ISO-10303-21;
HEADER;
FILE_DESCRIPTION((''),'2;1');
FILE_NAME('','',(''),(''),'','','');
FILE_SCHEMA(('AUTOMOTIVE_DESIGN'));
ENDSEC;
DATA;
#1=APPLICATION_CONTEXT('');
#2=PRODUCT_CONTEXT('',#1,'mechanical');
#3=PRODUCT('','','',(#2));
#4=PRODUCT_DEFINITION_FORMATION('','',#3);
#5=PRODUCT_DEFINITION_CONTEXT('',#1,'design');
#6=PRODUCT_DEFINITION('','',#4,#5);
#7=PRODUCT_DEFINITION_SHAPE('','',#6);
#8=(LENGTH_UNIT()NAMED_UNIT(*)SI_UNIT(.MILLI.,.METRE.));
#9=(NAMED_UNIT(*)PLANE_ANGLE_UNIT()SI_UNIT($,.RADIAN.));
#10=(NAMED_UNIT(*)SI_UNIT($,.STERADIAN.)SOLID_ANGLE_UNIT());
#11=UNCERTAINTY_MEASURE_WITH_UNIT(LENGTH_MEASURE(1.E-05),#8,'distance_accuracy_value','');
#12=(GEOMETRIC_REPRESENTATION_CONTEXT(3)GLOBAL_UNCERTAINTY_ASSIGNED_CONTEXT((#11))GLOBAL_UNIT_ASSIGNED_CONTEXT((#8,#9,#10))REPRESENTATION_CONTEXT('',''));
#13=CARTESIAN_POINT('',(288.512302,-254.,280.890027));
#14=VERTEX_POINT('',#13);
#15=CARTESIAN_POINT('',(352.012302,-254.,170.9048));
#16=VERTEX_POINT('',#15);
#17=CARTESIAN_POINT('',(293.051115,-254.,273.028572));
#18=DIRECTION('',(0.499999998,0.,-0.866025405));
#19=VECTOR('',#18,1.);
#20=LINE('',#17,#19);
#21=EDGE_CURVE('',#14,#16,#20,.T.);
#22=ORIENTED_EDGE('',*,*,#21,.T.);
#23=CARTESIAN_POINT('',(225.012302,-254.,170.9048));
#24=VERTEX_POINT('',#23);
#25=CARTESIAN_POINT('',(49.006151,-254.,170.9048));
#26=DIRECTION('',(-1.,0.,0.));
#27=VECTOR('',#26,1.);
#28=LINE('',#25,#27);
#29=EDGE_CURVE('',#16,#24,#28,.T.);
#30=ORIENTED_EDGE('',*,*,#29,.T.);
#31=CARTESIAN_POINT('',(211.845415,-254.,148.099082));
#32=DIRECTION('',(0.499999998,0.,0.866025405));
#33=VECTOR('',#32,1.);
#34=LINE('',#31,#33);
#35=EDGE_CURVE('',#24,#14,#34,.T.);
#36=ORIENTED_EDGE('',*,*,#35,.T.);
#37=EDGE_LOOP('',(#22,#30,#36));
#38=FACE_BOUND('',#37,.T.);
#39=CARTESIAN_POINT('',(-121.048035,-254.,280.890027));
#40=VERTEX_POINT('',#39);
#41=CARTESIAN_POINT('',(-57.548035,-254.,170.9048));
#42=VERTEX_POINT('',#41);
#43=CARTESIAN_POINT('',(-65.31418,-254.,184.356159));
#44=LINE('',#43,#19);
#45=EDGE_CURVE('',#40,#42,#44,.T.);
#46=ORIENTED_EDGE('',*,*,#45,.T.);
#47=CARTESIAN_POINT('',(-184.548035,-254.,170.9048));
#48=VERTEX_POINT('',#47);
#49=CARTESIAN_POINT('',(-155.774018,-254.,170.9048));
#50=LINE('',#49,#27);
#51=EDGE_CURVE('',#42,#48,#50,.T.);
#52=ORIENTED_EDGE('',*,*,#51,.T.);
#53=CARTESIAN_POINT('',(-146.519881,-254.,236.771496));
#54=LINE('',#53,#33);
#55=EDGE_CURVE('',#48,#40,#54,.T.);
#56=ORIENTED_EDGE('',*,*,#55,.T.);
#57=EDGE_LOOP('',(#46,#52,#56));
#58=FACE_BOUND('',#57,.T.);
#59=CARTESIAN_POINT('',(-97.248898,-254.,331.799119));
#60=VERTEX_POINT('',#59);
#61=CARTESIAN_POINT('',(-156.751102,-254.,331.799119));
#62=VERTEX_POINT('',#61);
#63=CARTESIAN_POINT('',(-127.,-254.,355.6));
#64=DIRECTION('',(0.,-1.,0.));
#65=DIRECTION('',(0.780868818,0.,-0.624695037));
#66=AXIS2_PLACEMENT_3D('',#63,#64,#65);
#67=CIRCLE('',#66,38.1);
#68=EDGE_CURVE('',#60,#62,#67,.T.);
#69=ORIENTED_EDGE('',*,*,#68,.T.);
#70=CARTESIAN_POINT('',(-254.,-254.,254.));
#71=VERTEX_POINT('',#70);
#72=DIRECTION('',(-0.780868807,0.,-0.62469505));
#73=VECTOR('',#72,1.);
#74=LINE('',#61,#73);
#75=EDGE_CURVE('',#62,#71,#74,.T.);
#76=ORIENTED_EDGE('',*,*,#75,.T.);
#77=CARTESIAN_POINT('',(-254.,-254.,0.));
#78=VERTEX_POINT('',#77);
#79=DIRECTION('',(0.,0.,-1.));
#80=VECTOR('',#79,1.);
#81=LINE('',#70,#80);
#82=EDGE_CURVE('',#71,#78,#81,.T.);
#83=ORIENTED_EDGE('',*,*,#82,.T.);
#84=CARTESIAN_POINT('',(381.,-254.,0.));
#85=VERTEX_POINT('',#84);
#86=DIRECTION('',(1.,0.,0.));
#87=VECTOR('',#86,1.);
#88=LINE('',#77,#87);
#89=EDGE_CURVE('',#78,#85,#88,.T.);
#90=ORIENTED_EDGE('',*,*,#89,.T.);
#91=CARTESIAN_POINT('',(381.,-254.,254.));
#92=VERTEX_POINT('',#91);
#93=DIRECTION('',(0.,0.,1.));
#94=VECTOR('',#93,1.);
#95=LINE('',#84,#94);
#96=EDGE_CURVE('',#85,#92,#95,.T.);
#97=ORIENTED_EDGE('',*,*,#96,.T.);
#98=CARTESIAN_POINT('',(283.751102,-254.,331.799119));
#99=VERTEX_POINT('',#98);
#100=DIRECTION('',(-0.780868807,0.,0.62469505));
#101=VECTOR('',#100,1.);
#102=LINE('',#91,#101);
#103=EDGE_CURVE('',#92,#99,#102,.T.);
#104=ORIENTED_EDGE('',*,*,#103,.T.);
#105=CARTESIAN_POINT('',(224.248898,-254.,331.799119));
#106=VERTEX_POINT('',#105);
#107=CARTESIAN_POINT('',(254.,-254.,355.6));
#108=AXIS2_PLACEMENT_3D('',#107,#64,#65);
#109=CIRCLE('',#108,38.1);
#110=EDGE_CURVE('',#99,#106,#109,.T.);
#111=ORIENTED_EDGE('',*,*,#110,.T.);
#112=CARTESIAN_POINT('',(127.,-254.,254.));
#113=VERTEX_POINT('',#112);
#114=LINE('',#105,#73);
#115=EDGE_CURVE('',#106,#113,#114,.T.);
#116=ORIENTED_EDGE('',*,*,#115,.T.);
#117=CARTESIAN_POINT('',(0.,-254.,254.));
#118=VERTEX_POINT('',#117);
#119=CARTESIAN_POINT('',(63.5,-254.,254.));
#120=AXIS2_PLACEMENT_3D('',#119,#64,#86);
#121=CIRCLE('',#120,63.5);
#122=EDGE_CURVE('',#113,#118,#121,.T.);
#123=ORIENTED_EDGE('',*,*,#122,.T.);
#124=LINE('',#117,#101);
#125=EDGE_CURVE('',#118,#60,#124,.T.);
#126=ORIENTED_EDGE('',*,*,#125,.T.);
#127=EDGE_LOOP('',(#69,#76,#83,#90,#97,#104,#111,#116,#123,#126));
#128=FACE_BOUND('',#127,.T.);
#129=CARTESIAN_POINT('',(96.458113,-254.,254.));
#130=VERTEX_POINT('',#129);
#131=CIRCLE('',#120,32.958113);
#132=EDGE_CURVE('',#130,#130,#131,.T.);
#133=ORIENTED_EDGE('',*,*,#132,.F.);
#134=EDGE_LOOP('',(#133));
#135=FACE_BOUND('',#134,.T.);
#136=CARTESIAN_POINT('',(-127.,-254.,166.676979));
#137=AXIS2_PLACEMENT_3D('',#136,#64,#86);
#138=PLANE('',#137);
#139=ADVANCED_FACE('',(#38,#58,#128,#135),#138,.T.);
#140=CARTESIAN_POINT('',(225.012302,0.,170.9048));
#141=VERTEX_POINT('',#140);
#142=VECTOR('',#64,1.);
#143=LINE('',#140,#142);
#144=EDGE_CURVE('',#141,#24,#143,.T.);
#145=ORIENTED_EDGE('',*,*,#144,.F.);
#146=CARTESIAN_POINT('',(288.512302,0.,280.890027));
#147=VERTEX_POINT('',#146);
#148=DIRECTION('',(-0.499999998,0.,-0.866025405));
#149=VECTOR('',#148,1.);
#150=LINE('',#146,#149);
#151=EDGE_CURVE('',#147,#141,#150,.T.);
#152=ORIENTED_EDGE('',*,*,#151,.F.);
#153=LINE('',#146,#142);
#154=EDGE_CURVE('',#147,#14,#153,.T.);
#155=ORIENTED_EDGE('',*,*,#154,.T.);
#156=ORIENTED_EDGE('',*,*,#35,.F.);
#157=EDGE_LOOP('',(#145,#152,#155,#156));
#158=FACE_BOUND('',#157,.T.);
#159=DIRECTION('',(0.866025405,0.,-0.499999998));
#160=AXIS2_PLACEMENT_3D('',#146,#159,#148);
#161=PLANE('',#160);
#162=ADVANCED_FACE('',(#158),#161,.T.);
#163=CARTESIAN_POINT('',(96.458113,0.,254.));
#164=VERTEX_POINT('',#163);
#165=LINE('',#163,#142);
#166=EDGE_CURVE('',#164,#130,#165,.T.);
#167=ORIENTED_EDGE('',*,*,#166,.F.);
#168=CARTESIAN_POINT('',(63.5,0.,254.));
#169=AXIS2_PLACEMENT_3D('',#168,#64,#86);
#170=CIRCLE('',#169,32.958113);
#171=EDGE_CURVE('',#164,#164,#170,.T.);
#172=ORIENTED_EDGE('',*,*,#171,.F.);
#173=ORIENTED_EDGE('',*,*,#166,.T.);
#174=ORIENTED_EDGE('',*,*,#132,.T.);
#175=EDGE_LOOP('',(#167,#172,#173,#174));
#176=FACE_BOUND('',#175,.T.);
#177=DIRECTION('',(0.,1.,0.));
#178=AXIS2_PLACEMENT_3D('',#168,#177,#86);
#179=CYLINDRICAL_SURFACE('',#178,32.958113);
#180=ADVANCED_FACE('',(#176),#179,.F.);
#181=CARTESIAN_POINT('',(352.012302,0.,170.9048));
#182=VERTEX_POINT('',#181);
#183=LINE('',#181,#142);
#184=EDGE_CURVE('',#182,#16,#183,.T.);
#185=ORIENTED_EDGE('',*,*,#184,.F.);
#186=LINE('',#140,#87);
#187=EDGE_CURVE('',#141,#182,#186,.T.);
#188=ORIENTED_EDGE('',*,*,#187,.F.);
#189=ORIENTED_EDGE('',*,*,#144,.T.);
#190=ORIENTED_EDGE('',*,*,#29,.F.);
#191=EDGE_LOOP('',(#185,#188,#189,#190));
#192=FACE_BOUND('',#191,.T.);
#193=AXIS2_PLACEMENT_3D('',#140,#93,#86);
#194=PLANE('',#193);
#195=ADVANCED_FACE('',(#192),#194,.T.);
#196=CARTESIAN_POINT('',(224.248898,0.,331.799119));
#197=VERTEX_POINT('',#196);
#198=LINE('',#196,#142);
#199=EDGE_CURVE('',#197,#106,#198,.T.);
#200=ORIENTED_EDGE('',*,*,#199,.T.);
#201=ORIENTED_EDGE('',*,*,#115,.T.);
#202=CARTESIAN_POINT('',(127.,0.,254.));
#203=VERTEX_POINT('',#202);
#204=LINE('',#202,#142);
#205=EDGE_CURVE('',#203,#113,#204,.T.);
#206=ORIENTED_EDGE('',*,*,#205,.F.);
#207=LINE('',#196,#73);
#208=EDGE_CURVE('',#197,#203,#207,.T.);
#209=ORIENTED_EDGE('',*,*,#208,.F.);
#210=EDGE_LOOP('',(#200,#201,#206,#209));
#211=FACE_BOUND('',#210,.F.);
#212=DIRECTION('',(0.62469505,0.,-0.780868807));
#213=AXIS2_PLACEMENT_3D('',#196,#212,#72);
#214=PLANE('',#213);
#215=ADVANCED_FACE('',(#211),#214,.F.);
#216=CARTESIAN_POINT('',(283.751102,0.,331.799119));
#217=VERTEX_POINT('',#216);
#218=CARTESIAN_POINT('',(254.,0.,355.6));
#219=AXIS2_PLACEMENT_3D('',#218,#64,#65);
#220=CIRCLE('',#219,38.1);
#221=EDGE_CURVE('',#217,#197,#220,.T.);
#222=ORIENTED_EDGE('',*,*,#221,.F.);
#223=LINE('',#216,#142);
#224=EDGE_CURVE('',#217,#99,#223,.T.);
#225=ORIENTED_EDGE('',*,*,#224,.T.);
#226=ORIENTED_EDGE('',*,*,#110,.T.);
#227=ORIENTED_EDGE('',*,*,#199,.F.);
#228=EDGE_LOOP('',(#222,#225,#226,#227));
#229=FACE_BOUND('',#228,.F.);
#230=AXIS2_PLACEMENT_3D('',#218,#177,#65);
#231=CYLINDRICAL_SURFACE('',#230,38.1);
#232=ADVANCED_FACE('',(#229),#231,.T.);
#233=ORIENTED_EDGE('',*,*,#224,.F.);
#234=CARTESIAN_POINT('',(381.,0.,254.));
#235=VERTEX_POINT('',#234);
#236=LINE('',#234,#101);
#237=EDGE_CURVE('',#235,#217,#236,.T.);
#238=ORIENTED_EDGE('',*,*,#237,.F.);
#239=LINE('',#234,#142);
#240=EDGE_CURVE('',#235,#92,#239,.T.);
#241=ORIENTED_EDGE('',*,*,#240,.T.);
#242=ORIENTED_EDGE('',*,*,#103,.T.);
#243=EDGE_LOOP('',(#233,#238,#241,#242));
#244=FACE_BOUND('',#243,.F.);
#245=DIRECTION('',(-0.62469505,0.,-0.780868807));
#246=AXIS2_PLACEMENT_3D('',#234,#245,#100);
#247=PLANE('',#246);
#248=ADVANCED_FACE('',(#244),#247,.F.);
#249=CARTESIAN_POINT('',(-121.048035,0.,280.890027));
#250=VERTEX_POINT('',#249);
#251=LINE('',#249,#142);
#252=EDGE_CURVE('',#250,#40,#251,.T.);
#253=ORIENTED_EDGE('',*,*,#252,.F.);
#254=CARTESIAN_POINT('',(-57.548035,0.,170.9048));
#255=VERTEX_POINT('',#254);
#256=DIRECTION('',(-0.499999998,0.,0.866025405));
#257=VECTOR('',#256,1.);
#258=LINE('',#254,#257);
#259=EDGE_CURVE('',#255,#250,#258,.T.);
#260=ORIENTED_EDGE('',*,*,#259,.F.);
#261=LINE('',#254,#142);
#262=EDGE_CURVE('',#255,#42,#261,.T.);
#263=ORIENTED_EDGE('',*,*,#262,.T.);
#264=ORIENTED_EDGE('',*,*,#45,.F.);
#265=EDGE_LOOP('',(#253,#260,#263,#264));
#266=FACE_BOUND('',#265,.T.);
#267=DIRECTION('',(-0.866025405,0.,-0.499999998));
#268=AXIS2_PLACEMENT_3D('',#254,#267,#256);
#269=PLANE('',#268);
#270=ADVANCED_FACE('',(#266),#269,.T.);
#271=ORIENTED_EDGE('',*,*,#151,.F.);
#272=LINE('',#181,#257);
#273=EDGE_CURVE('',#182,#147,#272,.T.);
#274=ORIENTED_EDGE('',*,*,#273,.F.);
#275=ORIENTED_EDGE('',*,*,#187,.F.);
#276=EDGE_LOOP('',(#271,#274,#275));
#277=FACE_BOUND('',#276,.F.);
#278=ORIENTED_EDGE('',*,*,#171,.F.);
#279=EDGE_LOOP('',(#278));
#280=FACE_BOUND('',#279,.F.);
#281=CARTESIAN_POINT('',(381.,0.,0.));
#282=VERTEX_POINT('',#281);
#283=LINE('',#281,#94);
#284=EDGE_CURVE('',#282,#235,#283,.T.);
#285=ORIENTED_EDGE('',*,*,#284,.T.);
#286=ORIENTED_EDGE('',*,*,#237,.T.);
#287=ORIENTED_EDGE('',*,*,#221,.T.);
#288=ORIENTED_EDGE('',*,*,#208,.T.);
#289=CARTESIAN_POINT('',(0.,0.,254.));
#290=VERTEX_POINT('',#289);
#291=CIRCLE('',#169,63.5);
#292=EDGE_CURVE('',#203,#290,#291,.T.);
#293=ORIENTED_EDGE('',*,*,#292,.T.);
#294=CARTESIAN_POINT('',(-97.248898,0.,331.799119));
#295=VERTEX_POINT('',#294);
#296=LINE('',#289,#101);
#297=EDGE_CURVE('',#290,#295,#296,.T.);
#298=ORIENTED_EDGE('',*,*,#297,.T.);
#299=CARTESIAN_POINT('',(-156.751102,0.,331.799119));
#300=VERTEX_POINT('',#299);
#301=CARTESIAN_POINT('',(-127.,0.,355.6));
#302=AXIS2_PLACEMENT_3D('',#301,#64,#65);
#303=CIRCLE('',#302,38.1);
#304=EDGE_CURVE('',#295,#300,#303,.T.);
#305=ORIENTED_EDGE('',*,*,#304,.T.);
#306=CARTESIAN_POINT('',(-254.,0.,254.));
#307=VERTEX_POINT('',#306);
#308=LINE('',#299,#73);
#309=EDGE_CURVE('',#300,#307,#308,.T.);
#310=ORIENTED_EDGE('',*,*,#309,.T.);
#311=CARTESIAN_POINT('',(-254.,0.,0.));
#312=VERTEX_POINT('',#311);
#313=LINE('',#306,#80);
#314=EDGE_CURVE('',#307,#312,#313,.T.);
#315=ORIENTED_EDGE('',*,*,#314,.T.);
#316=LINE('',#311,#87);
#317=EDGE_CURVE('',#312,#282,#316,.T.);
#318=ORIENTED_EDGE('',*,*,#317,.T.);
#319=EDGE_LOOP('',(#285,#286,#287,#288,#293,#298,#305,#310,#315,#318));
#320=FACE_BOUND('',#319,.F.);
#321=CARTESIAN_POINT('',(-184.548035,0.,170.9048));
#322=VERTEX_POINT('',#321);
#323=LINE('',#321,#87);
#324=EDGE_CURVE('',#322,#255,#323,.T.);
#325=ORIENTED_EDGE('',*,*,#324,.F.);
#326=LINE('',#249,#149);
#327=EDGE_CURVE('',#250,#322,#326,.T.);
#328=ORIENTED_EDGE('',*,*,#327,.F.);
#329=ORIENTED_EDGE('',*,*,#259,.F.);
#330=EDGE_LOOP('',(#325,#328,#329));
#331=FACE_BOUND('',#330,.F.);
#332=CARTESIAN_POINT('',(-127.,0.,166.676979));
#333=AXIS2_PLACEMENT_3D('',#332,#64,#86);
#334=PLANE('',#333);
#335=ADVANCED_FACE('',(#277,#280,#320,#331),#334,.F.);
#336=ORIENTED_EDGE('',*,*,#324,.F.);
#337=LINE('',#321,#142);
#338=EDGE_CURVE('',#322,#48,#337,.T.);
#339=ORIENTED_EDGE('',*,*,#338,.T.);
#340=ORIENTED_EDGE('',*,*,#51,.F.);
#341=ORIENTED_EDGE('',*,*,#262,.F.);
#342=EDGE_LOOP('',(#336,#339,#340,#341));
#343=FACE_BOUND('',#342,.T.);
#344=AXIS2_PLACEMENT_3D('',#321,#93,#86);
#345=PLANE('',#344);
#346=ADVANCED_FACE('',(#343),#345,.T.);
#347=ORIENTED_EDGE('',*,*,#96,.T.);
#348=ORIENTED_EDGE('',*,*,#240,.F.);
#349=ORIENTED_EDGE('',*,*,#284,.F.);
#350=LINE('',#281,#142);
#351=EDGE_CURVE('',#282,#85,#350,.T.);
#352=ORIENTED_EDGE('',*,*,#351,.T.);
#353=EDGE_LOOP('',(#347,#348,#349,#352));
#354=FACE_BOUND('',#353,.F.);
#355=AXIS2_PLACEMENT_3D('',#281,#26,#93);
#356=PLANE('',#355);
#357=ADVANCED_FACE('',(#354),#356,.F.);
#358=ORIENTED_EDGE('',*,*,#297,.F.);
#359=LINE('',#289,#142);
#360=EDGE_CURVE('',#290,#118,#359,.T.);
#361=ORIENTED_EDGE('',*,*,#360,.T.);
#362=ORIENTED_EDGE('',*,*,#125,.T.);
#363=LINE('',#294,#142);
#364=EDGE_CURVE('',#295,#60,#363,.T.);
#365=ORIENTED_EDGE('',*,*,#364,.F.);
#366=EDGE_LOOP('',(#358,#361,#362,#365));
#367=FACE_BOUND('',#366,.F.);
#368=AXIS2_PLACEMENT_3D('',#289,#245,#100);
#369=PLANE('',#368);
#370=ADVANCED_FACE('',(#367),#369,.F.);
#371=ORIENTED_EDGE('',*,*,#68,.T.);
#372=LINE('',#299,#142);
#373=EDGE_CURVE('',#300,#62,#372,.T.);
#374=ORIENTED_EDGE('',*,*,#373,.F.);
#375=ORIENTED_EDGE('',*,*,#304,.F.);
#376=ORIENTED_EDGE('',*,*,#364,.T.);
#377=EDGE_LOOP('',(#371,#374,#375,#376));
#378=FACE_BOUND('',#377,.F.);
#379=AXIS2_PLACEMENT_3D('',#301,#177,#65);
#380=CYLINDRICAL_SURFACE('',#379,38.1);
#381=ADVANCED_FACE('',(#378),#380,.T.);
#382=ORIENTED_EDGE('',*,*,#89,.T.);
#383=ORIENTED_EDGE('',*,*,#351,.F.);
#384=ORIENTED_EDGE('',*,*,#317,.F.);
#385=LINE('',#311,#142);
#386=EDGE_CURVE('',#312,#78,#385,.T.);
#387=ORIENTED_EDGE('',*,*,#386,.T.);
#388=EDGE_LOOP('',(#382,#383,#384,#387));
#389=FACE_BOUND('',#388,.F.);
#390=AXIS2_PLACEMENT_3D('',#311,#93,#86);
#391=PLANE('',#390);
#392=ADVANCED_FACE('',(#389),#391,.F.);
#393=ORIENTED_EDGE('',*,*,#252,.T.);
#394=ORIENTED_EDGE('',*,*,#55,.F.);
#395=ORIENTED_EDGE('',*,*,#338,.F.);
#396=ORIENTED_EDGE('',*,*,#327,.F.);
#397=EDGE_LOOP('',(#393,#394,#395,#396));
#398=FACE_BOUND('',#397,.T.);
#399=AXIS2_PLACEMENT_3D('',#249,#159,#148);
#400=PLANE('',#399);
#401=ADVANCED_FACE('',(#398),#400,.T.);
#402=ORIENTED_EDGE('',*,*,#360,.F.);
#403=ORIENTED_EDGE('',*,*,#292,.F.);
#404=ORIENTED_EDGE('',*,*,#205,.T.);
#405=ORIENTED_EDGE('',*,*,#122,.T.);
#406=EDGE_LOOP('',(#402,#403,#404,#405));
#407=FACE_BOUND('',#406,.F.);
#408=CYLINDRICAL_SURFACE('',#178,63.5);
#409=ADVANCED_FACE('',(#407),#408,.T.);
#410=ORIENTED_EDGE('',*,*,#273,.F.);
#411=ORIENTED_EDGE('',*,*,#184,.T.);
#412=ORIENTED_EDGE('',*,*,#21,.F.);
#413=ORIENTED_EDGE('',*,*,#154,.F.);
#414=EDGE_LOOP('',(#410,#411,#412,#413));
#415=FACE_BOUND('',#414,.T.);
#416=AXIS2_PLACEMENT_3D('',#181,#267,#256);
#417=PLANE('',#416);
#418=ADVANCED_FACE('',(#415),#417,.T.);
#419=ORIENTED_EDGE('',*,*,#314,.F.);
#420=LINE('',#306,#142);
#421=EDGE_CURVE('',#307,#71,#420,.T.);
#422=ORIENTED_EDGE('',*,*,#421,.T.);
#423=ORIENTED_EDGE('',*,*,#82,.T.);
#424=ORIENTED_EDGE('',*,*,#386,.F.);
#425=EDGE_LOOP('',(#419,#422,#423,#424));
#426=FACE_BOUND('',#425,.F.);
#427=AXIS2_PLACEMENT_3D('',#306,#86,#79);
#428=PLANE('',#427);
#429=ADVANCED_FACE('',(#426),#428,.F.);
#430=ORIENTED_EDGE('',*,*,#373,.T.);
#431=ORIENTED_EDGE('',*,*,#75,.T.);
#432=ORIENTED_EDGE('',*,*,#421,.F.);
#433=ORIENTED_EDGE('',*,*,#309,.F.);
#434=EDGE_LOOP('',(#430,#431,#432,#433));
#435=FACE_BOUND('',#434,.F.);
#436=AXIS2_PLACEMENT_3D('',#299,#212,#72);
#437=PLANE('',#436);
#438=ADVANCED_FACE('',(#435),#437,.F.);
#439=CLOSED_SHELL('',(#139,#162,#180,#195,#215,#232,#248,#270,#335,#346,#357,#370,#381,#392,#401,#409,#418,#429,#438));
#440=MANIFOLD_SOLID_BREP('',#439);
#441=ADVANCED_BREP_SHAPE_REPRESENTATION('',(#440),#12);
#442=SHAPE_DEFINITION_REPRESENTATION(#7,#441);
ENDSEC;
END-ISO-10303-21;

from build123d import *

# Parameters (mm, degrees)
F0_R     = 32.958113
F1_DEPTH = 254
F3_DEPTH = 254.001


with BuildPart() as f1:
    # F0 (on Front) → F1 (new body)
    with BuildSketch(Plane.XZ):
        with BuildLine():
            Line((-254, 0), (0, 0))
            Line((0, 0), (0, 254))
            Line((0, 254), (-97.248898, 331.799119))
            ThreePointArc((-97.248898, 331.799119), (-127, 393.7), (-156.751102, 331.799119))
            Line((-156.751102, 331.799119), (-254, 254))
            Line((-254, 254), (-254, 0))
        make_face()
        with BuildLine():
            Line((127, 254), (127, 0))
            Line((127, 0), (381, 0))
            Line((381, 0), (381, 254))
            Line((381, 254), (283.751102, 331.799119))
            ThreePointArc((283.751102, 331.799119), (254, 393.7), (224.248898, 331.799119))
            Line((224.248898, 331.799119), (127, 254))
        make_face()
        with BuildLine():
            Line((0, 254), (0, 0))
            Line((0, 0), (127, 0))
            Line((127, 0), (127, 254))
            ThreePointArc((127, 254), (63.5, 317.5), (0, 254))
        make_face()
        with Locations((63.5, 254)):
            Circle(F0_R, mode=Mode.SUBTRACT)
    extrude(amount=F1_DEPTH)

    # F2 (on Front) → F3 (cut, through all)
    with BuildSketch(Plane.XZ):
        Polygon((288.512302, 280.890027), (225.012302, 170.9048), (352.012302, 170.9048), align=None)
        Polygon((-57.548035, 170.9048), (-121.048035, 280.890027), (-184.548035, 170.9048), align=None)
    extrude(amount=F3_DEPTH, mode=Mode.SUBTRACT)


solid = f1.part
